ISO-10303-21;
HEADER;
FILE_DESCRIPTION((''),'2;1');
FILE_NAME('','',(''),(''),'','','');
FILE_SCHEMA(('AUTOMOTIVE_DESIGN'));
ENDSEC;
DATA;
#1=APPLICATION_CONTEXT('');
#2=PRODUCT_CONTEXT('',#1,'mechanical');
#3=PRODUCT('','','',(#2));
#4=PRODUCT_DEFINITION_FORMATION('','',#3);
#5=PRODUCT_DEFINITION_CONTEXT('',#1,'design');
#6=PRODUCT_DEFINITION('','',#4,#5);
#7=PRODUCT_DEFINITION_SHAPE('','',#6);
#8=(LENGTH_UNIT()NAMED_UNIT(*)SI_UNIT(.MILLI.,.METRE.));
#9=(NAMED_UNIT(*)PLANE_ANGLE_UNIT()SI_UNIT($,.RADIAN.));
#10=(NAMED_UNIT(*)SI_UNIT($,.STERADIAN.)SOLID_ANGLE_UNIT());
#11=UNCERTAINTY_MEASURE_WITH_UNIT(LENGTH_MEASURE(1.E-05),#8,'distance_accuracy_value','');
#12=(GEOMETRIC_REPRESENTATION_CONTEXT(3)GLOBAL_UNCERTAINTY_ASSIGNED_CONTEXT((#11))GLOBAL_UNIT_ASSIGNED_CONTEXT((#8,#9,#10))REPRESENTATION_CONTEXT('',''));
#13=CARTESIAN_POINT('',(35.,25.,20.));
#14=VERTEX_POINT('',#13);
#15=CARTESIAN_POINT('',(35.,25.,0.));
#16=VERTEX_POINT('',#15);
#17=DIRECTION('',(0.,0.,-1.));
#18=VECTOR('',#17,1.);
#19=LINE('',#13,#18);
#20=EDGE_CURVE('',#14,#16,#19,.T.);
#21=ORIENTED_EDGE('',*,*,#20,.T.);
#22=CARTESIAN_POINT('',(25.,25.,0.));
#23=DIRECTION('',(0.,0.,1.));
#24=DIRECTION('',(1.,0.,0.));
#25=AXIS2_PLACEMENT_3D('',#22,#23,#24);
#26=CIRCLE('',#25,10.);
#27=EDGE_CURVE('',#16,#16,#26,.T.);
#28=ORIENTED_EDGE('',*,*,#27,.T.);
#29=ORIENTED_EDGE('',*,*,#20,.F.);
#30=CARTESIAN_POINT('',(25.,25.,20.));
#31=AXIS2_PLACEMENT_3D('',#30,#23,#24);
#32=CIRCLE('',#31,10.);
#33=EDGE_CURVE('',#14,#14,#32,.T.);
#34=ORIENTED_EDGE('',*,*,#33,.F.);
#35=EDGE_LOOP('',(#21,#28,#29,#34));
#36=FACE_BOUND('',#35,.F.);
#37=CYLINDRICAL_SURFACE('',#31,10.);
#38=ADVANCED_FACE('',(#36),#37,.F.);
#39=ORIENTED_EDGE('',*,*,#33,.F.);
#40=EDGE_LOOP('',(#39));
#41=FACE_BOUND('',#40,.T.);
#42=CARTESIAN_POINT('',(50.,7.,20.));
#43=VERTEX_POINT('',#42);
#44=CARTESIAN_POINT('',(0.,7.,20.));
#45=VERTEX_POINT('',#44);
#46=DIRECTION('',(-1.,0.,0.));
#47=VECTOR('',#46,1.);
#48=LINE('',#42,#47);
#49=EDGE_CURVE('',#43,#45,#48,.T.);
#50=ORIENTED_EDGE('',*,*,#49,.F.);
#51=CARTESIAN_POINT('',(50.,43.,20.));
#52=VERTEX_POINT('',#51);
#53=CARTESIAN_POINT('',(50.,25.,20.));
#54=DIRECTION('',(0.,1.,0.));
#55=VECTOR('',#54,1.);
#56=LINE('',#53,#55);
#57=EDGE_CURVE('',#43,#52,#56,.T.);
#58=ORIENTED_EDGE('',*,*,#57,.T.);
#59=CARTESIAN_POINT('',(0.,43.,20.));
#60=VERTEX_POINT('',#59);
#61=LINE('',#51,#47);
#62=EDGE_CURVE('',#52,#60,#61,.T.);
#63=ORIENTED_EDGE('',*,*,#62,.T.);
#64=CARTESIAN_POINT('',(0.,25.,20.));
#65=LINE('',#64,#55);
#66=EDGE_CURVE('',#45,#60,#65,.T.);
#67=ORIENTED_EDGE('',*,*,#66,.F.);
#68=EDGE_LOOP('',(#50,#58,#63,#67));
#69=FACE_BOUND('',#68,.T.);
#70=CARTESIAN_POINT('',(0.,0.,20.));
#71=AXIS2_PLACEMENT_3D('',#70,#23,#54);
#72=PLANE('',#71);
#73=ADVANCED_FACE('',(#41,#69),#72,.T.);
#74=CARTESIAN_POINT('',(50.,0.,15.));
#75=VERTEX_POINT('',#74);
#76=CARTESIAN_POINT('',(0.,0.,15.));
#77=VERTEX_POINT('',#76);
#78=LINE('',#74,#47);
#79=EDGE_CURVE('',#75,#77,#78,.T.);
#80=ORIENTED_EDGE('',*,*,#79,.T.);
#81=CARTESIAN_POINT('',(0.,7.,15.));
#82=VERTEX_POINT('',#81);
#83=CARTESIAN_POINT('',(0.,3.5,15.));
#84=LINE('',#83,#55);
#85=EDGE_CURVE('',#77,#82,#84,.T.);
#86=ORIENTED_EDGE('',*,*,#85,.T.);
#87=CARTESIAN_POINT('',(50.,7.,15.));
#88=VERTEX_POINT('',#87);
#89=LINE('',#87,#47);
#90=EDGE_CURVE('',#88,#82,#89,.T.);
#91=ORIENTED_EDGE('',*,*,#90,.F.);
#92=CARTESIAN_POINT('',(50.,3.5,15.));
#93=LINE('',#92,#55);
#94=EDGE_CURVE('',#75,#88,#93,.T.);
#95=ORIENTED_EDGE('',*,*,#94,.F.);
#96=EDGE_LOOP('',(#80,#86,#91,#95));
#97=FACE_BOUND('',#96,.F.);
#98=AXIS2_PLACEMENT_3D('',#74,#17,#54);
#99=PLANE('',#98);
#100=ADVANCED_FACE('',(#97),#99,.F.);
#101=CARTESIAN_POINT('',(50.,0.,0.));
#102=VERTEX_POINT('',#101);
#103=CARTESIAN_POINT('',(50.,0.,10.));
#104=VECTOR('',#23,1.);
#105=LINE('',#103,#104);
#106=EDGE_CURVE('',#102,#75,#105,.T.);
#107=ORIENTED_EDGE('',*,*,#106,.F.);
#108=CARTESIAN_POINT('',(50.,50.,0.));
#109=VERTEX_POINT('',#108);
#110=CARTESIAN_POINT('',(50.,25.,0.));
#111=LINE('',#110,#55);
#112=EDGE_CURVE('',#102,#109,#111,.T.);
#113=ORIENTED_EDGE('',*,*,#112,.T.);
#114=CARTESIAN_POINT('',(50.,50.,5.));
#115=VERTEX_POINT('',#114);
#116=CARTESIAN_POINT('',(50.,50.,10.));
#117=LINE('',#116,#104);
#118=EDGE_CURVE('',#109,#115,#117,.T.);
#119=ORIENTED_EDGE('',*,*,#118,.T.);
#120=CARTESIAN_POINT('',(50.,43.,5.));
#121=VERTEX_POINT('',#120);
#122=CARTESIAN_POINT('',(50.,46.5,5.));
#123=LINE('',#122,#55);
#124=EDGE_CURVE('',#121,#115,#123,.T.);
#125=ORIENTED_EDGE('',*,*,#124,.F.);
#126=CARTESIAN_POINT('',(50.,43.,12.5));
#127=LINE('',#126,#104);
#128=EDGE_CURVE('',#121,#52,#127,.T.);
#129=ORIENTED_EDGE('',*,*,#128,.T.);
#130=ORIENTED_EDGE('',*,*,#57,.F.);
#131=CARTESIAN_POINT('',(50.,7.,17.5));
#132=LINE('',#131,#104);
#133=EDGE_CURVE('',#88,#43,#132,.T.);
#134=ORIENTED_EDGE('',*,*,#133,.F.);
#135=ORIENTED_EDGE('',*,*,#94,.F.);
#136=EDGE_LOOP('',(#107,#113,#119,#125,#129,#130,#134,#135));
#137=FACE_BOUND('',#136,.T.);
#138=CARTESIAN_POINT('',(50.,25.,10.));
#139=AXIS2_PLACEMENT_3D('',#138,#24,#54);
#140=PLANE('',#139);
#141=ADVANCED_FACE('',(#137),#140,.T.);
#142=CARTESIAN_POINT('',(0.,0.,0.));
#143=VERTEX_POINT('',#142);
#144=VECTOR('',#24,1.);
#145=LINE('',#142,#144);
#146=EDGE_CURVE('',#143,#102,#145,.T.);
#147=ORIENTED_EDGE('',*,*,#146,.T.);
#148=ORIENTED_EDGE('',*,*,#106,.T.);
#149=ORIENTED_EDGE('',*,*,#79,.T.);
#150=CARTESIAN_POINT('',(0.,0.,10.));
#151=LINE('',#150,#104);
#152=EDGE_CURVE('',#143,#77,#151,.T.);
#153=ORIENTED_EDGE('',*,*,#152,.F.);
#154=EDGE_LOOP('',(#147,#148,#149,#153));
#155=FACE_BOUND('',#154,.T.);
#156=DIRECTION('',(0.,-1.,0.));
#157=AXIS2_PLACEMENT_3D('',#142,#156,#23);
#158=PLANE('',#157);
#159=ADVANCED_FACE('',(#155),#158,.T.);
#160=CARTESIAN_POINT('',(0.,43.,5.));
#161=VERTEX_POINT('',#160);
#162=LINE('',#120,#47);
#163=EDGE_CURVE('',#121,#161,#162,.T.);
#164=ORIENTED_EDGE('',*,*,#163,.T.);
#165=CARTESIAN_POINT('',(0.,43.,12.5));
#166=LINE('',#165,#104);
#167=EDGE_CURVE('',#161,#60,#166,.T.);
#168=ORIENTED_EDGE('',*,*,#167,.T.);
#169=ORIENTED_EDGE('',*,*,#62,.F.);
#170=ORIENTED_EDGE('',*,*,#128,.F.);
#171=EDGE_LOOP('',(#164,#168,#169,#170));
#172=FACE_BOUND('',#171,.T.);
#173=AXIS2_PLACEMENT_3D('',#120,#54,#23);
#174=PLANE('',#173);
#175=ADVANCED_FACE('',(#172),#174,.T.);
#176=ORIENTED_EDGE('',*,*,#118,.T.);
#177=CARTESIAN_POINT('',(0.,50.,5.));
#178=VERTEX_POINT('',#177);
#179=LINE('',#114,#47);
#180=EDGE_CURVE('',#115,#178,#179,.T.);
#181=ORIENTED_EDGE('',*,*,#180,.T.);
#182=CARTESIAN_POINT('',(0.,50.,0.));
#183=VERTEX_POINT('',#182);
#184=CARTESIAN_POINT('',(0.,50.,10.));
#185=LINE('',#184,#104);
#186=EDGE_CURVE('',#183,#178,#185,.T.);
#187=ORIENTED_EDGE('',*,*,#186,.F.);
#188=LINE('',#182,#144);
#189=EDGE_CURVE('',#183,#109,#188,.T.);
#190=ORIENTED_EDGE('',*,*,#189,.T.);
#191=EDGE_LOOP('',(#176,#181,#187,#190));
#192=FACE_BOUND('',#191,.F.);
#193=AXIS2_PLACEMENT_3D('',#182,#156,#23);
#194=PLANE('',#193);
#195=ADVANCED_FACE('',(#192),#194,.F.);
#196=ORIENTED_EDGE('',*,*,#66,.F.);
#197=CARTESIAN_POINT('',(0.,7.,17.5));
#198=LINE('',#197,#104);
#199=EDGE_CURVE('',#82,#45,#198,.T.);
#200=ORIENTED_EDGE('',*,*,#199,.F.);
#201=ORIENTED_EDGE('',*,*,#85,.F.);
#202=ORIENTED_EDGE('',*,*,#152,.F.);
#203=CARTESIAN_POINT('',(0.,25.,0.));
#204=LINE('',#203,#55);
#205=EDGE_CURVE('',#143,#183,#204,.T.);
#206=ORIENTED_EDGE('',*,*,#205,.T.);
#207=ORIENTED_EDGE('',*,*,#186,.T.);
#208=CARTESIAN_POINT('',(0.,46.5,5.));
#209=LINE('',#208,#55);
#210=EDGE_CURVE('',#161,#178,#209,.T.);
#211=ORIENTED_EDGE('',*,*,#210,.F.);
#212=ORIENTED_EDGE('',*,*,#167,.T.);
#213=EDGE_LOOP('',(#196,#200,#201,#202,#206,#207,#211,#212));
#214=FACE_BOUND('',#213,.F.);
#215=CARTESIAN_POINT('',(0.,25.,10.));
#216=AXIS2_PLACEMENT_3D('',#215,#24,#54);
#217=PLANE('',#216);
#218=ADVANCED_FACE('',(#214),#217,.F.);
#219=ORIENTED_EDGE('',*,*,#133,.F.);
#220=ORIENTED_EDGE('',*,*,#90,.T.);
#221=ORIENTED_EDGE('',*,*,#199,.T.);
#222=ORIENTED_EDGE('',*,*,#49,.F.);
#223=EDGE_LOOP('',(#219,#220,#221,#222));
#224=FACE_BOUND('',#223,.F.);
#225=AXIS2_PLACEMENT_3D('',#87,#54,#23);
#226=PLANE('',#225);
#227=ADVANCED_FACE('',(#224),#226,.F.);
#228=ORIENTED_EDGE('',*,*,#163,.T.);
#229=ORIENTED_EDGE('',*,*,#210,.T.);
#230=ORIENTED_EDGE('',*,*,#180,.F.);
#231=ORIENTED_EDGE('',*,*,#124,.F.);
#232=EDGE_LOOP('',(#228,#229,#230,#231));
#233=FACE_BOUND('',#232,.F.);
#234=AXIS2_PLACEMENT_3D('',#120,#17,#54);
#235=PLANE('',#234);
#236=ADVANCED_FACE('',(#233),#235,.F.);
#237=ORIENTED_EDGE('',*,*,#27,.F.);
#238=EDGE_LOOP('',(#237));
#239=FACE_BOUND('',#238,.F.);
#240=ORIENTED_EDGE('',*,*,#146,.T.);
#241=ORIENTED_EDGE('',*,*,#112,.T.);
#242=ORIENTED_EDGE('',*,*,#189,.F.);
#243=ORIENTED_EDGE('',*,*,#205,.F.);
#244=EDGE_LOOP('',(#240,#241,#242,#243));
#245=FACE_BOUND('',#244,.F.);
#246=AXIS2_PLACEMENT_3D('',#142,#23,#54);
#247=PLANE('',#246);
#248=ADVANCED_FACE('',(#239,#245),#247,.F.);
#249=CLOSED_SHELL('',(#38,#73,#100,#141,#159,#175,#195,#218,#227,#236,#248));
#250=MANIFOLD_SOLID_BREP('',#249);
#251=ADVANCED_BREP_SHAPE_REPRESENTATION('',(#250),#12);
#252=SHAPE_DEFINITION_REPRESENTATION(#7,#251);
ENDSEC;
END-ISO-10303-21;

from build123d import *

# Parameters (mm, degrees)
F0_W     = 50
F0_H     = 20
F1_DEPTH = 50
F2_W     = 7
F2_H     = 5
F2_H_2   = 15
F3_DEPTH = 50
F4_R     = 10
F5_DEPTH = 20


with BuildPart() as f1:
    # F0 (on Right) → F1 (new body)
    with BuildSketch(Plane.YZ):
        with Locations((25, 10)):
            Rectangle(F0_W, F0_H)
    extrude(amount=F1_DEPTH)

    # F2 (on face) → F3 (cut)
    with BuildSketch(Plane.YZ.offset(50)):
        with Locations((3.5, 17.5)):
            Rectangle(F2_W, F2_H)
        with Locations((46.5, 12.5)):
            Rectangle(F2_W, F2_H_2)
    extrude(amount=-F3_DEPTH, mode=Mode.SUBTRACT)

    # F4 (on face) → F5 (cut)
    with BuildSketch(Plane.XY.offset(20)):
        with Locations((25, 25)):
            Circle(F4_R)
    extrude(amount=-F5_DEPTH, mode=Mode.SUBTRACT)


solid = f1.part
